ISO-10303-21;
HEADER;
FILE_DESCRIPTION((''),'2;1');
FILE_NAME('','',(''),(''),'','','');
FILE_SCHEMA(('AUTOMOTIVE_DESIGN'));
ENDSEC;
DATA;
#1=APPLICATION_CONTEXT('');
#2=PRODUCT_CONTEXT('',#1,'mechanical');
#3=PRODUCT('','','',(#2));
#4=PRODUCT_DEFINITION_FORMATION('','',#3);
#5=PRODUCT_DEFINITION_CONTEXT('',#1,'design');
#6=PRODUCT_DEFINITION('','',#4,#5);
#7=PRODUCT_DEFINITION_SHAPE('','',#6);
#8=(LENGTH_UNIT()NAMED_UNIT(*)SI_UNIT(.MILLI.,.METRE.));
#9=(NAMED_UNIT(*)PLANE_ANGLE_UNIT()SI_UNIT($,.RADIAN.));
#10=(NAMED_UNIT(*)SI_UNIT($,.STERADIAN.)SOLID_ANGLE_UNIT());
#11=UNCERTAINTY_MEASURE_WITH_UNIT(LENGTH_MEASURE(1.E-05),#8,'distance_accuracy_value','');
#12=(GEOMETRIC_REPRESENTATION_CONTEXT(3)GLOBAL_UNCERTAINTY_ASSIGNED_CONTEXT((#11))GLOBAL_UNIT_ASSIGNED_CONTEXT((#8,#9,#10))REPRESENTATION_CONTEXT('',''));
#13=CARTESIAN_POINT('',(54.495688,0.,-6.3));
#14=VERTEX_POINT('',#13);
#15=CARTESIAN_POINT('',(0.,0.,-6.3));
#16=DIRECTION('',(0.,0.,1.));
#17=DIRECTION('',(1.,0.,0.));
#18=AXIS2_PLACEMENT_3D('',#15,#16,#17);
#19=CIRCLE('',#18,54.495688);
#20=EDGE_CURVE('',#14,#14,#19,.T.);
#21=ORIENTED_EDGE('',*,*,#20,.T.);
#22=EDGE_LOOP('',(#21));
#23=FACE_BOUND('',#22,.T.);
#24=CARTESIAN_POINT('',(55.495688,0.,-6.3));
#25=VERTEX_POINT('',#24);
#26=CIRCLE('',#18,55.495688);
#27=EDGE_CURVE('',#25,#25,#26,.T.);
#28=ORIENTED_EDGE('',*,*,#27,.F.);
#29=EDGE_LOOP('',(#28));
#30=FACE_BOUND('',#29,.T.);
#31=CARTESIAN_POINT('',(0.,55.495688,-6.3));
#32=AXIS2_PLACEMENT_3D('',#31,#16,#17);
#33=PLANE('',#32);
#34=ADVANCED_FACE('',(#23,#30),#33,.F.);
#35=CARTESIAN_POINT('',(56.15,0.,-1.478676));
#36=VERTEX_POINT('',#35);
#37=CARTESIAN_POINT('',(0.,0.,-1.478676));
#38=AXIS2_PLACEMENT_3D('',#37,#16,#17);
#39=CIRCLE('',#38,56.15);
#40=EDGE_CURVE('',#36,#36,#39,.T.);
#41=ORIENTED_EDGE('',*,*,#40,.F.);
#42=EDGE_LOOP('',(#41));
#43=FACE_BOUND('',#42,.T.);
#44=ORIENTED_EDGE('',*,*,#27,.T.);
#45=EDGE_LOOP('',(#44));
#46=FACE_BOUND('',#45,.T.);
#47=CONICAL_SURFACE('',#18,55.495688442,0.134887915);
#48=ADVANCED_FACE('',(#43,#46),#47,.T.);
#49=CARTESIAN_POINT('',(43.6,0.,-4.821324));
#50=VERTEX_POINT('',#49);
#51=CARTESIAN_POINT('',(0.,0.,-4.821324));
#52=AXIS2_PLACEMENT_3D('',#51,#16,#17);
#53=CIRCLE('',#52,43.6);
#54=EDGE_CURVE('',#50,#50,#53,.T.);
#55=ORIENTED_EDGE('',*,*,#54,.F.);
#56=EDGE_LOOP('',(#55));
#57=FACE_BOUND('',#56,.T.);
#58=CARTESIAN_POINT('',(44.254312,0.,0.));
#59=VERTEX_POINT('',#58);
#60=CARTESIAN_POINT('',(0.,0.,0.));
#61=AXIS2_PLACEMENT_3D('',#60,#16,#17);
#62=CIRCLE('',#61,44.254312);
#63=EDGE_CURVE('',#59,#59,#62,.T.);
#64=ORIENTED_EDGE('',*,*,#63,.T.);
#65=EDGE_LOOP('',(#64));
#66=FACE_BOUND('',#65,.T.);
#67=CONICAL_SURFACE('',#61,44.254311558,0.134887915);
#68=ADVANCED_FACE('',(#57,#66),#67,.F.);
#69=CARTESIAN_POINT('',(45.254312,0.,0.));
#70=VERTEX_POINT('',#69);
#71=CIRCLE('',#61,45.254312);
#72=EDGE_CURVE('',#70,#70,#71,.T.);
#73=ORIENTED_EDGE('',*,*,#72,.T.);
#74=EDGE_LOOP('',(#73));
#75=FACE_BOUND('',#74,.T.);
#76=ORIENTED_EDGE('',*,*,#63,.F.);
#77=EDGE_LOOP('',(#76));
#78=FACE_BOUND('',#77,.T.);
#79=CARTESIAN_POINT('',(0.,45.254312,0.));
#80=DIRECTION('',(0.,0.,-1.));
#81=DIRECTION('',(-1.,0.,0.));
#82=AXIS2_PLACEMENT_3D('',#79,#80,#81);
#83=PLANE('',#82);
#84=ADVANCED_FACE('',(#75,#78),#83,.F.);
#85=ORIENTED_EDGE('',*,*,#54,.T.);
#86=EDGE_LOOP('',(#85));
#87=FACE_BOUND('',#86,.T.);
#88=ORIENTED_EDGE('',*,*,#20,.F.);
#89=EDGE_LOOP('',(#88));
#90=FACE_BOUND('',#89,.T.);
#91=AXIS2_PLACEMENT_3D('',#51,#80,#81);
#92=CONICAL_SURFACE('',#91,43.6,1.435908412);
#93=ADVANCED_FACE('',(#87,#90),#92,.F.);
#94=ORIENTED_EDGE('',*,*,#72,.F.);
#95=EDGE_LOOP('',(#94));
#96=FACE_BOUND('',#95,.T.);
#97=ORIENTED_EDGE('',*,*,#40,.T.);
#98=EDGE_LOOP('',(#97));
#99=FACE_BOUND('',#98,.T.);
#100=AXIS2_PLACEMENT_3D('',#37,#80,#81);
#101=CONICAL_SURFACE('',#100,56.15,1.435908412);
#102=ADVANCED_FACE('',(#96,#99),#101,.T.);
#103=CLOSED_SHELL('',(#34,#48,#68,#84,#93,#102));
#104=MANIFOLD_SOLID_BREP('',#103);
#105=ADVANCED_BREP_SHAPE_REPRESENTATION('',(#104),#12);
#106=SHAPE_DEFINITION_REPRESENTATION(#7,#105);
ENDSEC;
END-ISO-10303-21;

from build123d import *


with BuildPart() as part:
    # Sketch1 → Revolve1 (revolve)
    with BuildSketch(Plane(origin=(0, 0, 0), x_dir=(0, 0, -1), z_dir=(1, 0, 0)), mode=Mode.PRIVATE) as revolve1_sk:
        Polygon((1.478675638, 56.15), (6.3, 55.495688442), (6.3, 54.495688442), (4.821324362, 43.6), (0, 44.254311558), (0, 45.254311558), align=None)
    revolve(revolve1_sk.sketch.rotate(Axis((0, 0, 0), (0, 0, -1)), 90), axis=Axis((0, 0, 0), (0, 0, -1)))


solid = part.part
